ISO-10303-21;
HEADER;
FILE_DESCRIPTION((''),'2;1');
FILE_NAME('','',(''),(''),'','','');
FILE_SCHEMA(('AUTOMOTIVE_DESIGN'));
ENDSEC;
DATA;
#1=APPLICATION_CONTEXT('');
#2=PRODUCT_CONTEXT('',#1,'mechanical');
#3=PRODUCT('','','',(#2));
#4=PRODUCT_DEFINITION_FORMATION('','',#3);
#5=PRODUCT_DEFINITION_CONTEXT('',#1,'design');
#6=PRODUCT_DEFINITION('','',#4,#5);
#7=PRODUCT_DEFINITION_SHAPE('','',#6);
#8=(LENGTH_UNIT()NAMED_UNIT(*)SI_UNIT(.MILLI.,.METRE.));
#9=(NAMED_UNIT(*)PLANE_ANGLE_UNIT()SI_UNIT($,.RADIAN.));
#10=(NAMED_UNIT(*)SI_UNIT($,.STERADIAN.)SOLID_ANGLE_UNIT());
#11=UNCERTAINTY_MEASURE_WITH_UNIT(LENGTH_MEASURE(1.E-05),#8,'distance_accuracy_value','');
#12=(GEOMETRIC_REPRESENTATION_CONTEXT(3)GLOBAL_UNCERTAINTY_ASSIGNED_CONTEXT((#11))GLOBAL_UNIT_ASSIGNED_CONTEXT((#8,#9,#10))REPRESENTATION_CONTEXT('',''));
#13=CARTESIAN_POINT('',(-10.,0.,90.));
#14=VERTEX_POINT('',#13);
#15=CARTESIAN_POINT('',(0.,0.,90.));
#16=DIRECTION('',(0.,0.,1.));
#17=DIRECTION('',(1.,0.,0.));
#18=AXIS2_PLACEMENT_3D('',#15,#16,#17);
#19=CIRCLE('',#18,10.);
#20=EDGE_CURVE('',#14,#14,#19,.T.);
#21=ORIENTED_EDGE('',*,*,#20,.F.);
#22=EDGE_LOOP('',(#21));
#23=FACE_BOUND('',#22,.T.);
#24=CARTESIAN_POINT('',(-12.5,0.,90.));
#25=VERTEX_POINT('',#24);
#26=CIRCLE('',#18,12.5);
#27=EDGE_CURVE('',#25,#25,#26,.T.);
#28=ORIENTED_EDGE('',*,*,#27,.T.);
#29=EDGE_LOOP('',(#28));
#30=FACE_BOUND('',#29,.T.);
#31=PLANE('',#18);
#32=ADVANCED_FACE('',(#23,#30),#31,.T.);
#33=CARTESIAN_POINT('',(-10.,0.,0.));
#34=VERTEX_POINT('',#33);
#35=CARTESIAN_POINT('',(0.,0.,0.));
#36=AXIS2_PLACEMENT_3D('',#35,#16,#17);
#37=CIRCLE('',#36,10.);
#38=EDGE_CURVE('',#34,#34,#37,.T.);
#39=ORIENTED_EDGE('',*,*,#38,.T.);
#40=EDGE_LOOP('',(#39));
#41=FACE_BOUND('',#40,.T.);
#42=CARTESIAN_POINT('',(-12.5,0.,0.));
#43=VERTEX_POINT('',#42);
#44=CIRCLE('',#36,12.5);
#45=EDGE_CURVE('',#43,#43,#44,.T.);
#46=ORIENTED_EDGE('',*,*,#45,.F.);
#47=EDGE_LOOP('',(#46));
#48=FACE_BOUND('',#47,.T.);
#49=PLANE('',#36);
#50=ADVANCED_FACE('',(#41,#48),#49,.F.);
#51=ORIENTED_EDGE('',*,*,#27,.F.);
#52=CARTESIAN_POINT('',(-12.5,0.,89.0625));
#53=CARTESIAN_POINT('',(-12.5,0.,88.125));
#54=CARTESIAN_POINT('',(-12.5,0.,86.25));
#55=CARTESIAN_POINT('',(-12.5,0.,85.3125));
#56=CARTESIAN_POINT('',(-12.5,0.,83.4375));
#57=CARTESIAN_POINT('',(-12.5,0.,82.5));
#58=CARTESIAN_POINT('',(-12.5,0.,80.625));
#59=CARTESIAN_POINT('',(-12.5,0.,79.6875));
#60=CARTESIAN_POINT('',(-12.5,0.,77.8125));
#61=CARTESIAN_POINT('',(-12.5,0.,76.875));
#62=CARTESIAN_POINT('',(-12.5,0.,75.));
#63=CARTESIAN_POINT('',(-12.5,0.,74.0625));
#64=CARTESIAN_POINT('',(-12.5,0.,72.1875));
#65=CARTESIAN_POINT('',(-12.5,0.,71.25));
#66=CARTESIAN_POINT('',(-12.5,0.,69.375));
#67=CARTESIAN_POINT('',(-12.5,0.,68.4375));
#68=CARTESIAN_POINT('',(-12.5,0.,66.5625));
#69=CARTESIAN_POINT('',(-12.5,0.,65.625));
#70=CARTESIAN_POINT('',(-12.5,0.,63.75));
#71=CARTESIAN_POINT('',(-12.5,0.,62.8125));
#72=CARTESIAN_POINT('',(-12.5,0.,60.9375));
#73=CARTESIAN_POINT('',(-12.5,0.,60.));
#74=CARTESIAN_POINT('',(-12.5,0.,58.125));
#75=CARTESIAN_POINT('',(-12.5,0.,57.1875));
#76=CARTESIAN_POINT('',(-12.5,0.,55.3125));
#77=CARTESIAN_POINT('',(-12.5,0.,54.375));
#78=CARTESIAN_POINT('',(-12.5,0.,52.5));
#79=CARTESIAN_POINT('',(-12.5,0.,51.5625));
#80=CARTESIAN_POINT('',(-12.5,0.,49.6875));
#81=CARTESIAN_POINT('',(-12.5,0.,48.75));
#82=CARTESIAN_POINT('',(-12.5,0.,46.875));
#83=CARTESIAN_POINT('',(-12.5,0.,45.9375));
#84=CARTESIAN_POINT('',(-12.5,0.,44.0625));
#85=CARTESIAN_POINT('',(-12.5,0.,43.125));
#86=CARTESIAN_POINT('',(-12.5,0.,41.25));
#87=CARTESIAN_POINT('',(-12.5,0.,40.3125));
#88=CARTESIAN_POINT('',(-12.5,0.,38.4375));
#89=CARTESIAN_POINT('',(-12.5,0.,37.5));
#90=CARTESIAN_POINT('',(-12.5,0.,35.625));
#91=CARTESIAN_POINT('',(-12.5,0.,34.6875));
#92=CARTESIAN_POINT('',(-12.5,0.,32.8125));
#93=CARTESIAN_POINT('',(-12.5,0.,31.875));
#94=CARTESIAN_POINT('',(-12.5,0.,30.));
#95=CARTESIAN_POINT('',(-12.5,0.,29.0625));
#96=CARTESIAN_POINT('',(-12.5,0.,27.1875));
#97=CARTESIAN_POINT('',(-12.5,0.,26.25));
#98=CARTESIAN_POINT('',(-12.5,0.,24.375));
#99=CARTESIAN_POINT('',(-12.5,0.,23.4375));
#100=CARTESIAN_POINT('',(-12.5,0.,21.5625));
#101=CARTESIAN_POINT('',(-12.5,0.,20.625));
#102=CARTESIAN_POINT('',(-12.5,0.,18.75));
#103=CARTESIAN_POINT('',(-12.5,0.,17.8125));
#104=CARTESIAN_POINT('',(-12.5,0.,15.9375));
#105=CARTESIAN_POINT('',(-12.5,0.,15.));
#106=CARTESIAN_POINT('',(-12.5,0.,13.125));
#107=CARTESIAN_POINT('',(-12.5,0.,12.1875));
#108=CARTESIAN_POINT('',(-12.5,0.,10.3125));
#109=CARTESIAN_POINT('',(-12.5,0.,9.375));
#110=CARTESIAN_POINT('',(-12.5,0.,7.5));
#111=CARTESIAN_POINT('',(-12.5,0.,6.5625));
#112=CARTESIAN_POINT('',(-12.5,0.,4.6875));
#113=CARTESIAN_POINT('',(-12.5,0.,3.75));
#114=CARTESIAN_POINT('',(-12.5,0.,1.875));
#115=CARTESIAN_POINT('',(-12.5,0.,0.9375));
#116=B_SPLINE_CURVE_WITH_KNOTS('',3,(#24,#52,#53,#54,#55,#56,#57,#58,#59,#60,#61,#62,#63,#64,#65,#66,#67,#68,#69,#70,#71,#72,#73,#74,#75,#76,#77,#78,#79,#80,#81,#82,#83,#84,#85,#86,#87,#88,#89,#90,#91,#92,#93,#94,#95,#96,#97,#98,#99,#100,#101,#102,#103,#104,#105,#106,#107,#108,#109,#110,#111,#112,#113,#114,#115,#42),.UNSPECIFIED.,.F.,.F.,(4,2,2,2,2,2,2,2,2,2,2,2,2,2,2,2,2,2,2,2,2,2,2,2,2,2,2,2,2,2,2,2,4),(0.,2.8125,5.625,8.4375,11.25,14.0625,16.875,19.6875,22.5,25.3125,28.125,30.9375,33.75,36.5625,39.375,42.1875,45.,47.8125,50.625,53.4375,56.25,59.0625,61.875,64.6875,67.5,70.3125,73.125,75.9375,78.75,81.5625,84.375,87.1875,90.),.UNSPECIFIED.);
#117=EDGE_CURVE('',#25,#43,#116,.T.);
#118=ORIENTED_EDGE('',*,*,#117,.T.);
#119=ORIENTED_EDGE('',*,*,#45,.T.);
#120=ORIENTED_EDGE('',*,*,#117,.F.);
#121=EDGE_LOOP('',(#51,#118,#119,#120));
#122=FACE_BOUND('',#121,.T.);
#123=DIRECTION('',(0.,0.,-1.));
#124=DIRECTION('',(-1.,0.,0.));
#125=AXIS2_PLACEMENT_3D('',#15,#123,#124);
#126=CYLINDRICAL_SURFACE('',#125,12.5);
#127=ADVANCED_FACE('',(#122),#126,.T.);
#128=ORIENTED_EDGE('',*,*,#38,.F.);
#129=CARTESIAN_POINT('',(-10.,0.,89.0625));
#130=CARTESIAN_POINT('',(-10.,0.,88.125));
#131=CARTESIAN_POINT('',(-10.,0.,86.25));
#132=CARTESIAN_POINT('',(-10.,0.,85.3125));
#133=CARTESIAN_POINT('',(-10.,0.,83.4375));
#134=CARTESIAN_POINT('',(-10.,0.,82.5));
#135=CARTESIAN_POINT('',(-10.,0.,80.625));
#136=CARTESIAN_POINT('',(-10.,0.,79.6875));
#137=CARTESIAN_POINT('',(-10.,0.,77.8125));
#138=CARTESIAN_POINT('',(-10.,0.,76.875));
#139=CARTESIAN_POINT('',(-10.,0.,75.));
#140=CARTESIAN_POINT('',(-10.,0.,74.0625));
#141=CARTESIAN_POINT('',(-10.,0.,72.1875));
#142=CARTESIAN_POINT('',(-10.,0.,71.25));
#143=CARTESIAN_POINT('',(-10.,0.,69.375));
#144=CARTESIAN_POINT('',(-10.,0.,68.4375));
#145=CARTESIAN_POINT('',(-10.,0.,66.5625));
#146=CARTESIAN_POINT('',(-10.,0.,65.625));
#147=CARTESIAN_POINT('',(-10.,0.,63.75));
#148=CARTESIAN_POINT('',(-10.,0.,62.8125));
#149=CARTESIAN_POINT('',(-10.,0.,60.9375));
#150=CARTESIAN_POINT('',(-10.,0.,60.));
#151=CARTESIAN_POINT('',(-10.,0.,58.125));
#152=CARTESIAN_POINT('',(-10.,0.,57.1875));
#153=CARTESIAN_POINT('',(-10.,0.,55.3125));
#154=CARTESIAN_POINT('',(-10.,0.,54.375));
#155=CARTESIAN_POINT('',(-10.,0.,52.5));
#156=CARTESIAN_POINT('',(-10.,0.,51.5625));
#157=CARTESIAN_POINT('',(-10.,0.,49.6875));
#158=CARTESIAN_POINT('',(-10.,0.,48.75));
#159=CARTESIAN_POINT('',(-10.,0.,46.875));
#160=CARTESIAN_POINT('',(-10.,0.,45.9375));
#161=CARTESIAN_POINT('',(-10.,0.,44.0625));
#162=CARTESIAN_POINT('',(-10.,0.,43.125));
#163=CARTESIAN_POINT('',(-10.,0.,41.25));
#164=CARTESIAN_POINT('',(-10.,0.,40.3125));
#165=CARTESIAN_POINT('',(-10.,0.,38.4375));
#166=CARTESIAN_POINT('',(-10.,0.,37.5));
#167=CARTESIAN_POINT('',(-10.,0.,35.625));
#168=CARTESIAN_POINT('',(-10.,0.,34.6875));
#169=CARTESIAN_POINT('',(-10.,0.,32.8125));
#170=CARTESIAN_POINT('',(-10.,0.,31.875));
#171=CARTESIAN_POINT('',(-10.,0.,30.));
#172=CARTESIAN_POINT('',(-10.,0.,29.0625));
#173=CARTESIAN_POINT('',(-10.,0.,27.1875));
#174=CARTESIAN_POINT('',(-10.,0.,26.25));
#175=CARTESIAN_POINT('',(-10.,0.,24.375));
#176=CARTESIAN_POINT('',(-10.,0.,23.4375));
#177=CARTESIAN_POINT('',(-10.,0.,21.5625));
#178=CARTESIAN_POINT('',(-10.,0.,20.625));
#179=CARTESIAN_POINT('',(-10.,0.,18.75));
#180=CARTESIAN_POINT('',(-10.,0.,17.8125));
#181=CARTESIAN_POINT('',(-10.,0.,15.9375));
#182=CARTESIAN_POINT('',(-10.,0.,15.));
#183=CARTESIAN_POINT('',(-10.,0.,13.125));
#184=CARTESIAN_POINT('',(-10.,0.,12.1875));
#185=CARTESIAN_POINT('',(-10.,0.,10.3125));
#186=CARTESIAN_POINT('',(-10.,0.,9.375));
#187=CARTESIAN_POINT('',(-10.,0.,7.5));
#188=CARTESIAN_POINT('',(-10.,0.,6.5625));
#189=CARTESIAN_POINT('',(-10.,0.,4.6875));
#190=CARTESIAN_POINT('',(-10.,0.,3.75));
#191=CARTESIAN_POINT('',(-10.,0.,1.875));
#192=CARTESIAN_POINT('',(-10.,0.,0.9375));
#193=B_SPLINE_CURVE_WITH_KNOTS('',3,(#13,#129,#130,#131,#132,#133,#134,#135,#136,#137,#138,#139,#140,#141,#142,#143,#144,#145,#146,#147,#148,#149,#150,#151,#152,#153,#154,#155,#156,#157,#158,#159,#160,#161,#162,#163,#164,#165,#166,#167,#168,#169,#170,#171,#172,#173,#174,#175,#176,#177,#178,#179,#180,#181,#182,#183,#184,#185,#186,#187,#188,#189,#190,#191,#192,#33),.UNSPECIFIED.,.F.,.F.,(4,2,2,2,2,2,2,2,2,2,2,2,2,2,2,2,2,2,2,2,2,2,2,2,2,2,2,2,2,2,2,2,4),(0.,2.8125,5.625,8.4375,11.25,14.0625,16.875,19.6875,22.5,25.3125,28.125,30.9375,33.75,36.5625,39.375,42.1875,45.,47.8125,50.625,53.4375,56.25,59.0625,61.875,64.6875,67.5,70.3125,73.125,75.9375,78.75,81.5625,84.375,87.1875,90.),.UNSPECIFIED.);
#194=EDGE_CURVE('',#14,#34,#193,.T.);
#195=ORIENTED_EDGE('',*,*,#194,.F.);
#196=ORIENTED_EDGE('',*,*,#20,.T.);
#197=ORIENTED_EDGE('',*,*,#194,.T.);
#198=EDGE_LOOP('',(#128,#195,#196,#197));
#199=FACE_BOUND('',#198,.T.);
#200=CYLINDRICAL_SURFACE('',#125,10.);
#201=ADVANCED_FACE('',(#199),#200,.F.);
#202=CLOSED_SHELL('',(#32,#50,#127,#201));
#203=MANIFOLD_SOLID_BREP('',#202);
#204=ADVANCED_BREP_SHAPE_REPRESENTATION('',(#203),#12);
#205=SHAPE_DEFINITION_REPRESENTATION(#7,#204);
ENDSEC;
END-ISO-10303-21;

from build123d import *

# Parameters (mm, degrees)
ESBO_O1_R                = 12.5
ESBO_O1_R_2              = 10
RESSALTO_EXTRUS_O1_DEPTH = 90


with BuildPart() as part:
    # Esboço1 → Ressalto-extrusão1 (new body)
    with BuildSketch(Plane.XY):
        with Locations(Location((0, 0, 0), (0, 0, 180))):
            Circle(ESBO_O1_R)
        with Locations(Location((0, 0, 0), (0, 0, 180))):
            Circle(ESBO_O1_R_2, mode=Mode.SUBTRACT)
    extrude(amount=RESSALTO_EXTRUS_O1_DEPTH)


solid = part.part
